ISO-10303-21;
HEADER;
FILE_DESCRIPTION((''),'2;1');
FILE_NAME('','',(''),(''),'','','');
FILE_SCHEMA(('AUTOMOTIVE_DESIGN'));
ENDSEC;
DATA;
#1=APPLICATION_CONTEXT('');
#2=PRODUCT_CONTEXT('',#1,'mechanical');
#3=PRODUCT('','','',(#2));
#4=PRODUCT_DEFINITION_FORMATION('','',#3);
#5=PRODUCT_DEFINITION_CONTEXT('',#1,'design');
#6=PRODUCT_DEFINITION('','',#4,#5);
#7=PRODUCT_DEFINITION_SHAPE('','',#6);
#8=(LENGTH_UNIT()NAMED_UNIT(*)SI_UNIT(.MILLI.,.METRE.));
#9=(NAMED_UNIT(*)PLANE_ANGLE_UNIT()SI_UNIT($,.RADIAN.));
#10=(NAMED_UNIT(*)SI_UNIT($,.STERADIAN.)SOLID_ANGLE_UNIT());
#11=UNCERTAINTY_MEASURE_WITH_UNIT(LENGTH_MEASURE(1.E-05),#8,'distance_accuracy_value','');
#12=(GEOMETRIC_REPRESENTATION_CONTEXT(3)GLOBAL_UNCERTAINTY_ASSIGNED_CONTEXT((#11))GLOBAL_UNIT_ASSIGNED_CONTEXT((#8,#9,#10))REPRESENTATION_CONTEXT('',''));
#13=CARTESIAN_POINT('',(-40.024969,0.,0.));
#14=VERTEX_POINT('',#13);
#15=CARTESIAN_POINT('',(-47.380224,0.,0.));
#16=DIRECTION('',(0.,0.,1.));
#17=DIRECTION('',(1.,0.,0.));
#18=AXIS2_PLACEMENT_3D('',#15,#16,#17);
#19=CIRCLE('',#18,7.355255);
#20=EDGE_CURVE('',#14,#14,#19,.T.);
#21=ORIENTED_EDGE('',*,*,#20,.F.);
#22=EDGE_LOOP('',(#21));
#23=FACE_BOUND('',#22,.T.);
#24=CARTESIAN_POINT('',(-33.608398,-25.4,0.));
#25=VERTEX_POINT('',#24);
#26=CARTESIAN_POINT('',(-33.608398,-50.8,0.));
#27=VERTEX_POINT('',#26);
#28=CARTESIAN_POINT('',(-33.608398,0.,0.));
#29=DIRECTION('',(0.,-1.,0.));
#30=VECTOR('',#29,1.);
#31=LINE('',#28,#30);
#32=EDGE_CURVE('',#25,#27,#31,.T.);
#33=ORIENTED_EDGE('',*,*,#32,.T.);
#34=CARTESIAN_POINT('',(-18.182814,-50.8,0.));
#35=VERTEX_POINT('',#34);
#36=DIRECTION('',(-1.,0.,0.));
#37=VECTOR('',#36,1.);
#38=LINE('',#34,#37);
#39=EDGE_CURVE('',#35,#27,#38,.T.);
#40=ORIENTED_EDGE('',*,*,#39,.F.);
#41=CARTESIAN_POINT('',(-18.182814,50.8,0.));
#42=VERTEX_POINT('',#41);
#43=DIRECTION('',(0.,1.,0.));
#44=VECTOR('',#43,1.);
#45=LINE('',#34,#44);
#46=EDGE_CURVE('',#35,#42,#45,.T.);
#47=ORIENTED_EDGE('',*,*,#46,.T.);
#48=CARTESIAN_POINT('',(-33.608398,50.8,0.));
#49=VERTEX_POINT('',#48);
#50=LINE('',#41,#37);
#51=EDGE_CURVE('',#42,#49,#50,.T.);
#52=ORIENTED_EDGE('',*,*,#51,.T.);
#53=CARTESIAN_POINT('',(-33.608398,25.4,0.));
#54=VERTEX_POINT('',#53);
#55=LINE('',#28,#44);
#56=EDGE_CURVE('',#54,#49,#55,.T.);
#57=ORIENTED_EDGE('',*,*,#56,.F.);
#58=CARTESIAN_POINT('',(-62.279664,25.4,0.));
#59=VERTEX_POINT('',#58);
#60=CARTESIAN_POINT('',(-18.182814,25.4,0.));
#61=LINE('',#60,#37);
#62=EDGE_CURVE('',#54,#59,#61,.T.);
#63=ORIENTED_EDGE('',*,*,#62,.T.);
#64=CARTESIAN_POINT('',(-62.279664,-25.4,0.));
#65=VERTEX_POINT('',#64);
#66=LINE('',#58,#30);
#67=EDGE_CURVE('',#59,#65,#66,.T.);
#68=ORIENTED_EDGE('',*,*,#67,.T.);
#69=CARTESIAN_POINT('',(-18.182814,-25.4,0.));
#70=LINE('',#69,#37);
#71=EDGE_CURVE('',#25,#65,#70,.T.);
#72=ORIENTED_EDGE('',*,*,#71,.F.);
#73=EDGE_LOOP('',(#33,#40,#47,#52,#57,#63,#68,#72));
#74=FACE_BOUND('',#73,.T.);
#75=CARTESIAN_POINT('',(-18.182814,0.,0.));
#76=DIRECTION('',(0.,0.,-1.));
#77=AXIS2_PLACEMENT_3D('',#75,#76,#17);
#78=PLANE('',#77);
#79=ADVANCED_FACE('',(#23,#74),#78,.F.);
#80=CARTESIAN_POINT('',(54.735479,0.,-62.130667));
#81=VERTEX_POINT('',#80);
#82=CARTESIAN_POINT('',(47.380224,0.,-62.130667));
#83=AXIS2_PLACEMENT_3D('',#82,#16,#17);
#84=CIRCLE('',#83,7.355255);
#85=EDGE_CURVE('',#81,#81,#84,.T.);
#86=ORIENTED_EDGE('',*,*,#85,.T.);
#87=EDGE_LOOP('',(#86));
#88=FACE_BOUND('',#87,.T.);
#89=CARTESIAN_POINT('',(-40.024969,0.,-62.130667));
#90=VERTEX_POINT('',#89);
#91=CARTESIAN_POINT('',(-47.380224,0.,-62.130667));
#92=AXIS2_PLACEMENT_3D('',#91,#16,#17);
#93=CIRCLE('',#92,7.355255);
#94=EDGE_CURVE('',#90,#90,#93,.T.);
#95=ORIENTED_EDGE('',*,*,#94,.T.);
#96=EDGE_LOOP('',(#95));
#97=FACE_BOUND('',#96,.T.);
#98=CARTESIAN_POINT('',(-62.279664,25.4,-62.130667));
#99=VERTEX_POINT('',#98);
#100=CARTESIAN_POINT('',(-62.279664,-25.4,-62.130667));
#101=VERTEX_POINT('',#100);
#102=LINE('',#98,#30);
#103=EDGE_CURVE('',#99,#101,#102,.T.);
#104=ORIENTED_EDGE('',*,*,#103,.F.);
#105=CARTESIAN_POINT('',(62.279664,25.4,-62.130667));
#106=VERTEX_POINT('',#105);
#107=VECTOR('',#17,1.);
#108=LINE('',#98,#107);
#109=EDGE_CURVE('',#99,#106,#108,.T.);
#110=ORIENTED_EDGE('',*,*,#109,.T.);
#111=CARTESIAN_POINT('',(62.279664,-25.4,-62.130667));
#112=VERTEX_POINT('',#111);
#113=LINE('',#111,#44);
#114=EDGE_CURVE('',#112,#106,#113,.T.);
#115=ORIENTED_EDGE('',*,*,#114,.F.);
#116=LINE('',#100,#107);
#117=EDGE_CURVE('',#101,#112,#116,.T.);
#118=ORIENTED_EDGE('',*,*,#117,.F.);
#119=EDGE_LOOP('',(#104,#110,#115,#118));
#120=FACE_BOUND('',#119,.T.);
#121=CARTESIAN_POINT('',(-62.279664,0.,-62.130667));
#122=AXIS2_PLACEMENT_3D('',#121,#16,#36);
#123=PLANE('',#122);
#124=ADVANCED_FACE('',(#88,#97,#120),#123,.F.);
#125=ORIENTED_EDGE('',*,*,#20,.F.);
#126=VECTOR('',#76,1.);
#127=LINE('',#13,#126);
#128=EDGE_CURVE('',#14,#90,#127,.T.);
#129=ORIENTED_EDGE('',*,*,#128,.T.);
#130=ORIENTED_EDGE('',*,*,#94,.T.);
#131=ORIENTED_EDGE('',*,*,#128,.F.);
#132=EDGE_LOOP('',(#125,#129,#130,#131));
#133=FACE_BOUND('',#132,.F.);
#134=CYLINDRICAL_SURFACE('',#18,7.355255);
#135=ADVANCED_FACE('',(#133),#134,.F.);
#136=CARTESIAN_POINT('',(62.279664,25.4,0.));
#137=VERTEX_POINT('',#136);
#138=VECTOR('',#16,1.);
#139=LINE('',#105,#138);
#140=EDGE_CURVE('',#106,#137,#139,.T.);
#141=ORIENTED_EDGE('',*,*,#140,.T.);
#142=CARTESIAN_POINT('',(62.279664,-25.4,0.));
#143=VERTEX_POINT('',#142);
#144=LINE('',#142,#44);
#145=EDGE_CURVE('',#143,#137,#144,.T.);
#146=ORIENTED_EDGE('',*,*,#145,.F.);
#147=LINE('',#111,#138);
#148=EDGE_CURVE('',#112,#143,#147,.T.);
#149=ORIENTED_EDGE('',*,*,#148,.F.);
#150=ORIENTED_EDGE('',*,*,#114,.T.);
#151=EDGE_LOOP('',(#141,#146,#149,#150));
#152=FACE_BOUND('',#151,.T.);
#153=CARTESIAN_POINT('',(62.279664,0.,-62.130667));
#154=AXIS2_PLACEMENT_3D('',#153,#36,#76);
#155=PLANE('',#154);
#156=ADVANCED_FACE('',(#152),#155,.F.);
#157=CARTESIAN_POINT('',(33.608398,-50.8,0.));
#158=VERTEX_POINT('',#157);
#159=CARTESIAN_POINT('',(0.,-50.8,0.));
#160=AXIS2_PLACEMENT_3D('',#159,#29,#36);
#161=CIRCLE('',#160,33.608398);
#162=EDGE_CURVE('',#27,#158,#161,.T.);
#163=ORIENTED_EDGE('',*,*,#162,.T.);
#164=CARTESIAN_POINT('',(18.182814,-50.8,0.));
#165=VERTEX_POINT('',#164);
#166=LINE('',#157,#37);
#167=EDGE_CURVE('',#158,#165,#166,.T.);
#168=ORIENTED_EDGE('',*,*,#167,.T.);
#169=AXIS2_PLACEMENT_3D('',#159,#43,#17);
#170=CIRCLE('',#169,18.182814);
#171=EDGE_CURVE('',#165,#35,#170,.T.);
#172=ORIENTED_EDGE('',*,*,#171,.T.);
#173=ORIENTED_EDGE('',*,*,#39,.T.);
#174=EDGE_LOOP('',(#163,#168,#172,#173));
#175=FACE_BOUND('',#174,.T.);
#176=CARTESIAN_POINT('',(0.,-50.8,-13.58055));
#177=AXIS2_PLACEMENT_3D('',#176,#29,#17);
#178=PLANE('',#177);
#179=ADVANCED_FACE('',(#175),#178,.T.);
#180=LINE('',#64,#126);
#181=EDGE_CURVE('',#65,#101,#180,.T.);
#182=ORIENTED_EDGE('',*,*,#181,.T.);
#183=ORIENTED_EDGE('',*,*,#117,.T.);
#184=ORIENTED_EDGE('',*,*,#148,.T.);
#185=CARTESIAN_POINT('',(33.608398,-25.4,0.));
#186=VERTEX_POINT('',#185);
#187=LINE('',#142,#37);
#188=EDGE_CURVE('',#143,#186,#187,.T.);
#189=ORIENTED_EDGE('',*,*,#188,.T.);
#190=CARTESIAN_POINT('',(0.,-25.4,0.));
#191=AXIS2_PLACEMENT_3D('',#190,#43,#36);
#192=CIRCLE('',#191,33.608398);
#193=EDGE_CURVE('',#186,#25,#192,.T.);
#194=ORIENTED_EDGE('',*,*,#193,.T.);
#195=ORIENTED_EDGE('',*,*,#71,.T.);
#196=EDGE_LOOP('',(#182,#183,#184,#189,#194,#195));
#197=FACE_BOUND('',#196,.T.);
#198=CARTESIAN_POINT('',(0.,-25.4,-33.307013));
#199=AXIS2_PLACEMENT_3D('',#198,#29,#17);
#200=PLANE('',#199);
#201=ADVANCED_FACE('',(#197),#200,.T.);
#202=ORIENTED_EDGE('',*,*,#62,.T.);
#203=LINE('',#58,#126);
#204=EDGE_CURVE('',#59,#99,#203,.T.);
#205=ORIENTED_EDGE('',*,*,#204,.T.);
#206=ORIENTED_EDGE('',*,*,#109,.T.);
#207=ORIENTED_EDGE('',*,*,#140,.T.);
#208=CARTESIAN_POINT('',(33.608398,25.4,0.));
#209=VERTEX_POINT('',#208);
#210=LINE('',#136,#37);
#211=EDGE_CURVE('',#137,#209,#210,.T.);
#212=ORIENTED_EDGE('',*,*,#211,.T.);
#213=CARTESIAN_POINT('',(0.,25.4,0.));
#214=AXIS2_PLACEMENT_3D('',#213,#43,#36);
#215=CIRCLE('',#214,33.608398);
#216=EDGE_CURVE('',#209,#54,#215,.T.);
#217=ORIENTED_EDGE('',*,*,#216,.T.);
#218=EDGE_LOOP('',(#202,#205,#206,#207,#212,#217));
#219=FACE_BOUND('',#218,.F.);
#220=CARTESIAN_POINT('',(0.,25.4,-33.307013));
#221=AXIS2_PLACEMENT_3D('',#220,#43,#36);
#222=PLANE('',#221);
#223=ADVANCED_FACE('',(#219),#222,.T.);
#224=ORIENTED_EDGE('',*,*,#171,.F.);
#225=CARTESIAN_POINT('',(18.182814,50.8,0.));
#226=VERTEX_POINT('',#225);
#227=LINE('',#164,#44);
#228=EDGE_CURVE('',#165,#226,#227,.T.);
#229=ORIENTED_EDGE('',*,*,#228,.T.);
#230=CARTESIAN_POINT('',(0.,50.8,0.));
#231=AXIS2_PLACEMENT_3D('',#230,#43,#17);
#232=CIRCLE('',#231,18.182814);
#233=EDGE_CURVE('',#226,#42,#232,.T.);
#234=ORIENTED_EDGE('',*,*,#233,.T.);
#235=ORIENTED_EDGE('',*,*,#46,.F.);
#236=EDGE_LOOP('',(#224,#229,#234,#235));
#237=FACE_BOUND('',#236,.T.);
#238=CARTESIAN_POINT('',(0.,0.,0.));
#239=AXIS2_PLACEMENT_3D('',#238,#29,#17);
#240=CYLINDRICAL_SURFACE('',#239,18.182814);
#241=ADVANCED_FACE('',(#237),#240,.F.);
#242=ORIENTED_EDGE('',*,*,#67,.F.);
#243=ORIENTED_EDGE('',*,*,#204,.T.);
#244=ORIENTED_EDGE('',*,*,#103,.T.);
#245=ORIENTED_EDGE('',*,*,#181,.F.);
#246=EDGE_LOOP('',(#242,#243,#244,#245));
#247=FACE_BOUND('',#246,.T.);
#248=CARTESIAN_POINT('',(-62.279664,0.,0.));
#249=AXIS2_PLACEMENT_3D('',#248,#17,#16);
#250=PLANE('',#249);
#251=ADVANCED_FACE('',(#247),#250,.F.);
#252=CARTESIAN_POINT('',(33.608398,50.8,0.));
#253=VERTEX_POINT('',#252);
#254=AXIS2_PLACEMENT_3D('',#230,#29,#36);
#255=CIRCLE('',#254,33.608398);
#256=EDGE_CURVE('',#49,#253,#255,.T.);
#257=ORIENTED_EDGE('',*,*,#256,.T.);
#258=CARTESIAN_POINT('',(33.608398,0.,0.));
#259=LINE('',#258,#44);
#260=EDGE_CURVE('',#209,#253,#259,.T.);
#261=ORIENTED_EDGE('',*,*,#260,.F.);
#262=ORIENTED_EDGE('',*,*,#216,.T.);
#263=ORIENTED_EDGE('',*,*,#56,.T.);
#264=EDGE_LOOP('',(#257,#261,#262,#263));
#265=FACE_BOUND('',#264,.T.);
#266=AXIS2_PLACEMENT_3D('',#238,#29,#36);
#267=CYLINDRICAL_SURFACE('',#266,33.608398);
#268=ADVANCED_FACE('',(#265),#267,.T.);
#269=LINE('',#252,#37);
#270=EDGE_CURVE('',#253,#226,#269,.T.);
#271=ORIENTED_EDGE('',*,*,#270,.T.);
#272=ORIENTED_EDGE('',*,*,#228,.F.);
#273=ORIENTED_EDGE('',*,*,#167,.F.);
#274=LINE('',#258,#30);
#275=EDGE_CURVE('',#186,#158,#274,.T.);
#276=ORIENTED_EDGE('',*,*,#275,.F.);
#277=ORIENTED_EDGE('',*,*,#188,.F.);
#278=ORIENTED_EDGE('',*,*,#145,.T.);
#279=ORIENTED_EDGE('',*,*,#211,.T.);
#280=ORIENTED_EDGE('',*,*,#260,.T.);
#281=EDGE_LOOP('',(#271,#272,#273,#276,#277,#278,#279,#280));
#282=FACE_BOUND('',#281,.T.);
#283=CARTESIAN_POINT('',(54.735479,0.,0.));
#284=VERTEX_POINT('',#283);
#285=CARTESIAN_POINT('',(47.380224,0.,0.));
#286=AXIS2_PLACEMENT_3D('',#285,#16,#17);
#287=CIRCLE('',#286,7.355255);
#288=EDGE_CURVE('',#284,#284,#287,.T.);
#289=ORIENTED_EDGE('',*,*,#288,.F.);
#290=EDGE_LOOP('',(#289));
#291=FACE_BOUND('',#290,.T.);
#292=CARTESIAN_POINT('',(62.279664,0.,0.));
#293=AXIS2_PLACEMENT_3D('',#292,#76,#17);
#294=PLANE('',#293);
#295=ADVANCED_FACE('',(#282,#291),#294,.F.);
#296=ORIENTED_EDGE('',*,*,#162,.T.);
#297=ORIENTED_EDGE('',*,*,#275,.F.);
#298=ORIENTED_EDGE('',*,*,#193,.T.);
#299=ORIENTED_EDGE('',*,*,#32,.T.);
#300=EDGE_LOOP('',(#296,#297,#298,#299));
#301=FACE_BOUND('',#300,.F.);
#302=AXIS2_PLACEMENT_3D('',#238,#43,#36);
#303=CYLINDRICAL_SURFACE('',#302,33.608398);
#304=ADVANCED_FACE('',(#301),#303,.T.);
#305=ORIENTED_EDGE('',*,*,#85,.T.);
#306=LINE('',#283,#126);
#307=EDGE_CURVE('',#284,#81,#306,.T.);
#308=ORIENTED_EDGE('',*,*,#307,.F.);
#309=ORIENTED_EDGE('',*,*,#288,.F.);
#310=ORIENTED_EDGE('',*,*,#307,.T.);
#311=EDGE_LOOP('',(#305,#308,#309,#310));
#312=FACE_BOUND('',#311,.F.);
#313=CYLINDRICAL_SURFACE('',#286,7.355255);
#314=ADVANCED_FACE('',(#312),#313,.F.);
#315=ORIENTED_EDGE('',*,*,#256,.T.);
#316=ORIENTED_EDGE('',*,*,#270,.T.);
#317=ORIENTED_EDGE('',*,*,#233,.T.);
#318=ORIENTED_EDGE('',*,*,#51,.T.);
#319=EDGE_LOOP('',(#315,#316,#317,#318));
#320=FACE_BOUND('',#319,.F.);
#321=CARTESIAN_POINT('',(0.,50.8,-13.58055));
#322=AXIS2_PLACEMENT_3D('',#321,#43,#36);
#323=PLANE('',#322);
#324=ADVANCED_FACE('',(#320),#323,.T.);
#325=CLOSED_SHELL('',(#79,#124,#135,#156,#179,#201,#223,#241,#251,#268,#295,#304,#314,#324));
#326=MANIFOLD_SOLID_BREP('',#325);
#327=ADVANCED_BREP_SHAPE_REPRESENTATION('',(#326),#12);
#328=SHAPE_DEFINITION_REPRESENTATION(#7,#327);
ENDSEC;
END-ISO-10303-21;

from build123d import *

# Parameters (mm, degrees)
F1_DEPTH = 25.4
F2_DEPTH = 50.8
F4_R     = 7.355255
F5_DEPTH = 62.131667


with BuildPart() as f1:
    # F0 (on Front) → F1 (new body)
    with BuildSketch(Plane.XZ):
        with BuildLine():
            Line((-62.279664, 0), (-62.279664, -62.130667))
            Line((-62.279664, -62.130667), (62.279664, -62.130667))
            Line((62.279664, -62.130667), (62.279664, 0))
            Line((62.279664, 0), (33.608398, 0))
            ThreePointArc((33.608398, 0), (0, -33.608398), (-33.608398, 0))
            Line((-33.608398, 0), (-62.279664, 0))
        make_face()
        with BuildLine():
            Line((-18.182814, 0), (-33.608398, 0))
            ThreePointArc((-33.608398, 0), (0, -33.608398), (33.608398, 0))
            Line((33.608398, 0), (18.182814, 0))
            ThreePointArc((18.182814, 0), (0, -18.182814), (-18.182814, 0))
        make_face()
    extrude(amount=F1_DEPTH)

    # F0 (on Front) → F2 (join)
    with BuildSketch(Plane.XZ):
        with BuildLine():
            Line((-18.182814, 0), (-33.608398, 0))
            ThreePointArc((-33.608398, 0), (0, -33.608398), (33.608398, 0))
            Line((33.608398, 0), (18.182814, 0))
            ThreePointArc((18.182814, 0), (0, -18.182814), (-18.182814, 0))
        make_face()
    extrude(amount=F2_DEPTH)

    # F3: F1 across plane


with BuildPart() as f1_1:
    add(f1.part)
    add(f1.part.mirror(Plane.XZ))

    # F4 (on face) → F5 (cut, through all)
    with BuildSketch(Plane.XY):
        with Locations((-47.380224, 0)):
            Circle(F4_R)
        with Locations((47.380224, 0)):
            Circle(F4_R)
    extrude(amount=-F5_DEPTH, mode=Mode.SUBTRACT)


solid = f1_1.part
